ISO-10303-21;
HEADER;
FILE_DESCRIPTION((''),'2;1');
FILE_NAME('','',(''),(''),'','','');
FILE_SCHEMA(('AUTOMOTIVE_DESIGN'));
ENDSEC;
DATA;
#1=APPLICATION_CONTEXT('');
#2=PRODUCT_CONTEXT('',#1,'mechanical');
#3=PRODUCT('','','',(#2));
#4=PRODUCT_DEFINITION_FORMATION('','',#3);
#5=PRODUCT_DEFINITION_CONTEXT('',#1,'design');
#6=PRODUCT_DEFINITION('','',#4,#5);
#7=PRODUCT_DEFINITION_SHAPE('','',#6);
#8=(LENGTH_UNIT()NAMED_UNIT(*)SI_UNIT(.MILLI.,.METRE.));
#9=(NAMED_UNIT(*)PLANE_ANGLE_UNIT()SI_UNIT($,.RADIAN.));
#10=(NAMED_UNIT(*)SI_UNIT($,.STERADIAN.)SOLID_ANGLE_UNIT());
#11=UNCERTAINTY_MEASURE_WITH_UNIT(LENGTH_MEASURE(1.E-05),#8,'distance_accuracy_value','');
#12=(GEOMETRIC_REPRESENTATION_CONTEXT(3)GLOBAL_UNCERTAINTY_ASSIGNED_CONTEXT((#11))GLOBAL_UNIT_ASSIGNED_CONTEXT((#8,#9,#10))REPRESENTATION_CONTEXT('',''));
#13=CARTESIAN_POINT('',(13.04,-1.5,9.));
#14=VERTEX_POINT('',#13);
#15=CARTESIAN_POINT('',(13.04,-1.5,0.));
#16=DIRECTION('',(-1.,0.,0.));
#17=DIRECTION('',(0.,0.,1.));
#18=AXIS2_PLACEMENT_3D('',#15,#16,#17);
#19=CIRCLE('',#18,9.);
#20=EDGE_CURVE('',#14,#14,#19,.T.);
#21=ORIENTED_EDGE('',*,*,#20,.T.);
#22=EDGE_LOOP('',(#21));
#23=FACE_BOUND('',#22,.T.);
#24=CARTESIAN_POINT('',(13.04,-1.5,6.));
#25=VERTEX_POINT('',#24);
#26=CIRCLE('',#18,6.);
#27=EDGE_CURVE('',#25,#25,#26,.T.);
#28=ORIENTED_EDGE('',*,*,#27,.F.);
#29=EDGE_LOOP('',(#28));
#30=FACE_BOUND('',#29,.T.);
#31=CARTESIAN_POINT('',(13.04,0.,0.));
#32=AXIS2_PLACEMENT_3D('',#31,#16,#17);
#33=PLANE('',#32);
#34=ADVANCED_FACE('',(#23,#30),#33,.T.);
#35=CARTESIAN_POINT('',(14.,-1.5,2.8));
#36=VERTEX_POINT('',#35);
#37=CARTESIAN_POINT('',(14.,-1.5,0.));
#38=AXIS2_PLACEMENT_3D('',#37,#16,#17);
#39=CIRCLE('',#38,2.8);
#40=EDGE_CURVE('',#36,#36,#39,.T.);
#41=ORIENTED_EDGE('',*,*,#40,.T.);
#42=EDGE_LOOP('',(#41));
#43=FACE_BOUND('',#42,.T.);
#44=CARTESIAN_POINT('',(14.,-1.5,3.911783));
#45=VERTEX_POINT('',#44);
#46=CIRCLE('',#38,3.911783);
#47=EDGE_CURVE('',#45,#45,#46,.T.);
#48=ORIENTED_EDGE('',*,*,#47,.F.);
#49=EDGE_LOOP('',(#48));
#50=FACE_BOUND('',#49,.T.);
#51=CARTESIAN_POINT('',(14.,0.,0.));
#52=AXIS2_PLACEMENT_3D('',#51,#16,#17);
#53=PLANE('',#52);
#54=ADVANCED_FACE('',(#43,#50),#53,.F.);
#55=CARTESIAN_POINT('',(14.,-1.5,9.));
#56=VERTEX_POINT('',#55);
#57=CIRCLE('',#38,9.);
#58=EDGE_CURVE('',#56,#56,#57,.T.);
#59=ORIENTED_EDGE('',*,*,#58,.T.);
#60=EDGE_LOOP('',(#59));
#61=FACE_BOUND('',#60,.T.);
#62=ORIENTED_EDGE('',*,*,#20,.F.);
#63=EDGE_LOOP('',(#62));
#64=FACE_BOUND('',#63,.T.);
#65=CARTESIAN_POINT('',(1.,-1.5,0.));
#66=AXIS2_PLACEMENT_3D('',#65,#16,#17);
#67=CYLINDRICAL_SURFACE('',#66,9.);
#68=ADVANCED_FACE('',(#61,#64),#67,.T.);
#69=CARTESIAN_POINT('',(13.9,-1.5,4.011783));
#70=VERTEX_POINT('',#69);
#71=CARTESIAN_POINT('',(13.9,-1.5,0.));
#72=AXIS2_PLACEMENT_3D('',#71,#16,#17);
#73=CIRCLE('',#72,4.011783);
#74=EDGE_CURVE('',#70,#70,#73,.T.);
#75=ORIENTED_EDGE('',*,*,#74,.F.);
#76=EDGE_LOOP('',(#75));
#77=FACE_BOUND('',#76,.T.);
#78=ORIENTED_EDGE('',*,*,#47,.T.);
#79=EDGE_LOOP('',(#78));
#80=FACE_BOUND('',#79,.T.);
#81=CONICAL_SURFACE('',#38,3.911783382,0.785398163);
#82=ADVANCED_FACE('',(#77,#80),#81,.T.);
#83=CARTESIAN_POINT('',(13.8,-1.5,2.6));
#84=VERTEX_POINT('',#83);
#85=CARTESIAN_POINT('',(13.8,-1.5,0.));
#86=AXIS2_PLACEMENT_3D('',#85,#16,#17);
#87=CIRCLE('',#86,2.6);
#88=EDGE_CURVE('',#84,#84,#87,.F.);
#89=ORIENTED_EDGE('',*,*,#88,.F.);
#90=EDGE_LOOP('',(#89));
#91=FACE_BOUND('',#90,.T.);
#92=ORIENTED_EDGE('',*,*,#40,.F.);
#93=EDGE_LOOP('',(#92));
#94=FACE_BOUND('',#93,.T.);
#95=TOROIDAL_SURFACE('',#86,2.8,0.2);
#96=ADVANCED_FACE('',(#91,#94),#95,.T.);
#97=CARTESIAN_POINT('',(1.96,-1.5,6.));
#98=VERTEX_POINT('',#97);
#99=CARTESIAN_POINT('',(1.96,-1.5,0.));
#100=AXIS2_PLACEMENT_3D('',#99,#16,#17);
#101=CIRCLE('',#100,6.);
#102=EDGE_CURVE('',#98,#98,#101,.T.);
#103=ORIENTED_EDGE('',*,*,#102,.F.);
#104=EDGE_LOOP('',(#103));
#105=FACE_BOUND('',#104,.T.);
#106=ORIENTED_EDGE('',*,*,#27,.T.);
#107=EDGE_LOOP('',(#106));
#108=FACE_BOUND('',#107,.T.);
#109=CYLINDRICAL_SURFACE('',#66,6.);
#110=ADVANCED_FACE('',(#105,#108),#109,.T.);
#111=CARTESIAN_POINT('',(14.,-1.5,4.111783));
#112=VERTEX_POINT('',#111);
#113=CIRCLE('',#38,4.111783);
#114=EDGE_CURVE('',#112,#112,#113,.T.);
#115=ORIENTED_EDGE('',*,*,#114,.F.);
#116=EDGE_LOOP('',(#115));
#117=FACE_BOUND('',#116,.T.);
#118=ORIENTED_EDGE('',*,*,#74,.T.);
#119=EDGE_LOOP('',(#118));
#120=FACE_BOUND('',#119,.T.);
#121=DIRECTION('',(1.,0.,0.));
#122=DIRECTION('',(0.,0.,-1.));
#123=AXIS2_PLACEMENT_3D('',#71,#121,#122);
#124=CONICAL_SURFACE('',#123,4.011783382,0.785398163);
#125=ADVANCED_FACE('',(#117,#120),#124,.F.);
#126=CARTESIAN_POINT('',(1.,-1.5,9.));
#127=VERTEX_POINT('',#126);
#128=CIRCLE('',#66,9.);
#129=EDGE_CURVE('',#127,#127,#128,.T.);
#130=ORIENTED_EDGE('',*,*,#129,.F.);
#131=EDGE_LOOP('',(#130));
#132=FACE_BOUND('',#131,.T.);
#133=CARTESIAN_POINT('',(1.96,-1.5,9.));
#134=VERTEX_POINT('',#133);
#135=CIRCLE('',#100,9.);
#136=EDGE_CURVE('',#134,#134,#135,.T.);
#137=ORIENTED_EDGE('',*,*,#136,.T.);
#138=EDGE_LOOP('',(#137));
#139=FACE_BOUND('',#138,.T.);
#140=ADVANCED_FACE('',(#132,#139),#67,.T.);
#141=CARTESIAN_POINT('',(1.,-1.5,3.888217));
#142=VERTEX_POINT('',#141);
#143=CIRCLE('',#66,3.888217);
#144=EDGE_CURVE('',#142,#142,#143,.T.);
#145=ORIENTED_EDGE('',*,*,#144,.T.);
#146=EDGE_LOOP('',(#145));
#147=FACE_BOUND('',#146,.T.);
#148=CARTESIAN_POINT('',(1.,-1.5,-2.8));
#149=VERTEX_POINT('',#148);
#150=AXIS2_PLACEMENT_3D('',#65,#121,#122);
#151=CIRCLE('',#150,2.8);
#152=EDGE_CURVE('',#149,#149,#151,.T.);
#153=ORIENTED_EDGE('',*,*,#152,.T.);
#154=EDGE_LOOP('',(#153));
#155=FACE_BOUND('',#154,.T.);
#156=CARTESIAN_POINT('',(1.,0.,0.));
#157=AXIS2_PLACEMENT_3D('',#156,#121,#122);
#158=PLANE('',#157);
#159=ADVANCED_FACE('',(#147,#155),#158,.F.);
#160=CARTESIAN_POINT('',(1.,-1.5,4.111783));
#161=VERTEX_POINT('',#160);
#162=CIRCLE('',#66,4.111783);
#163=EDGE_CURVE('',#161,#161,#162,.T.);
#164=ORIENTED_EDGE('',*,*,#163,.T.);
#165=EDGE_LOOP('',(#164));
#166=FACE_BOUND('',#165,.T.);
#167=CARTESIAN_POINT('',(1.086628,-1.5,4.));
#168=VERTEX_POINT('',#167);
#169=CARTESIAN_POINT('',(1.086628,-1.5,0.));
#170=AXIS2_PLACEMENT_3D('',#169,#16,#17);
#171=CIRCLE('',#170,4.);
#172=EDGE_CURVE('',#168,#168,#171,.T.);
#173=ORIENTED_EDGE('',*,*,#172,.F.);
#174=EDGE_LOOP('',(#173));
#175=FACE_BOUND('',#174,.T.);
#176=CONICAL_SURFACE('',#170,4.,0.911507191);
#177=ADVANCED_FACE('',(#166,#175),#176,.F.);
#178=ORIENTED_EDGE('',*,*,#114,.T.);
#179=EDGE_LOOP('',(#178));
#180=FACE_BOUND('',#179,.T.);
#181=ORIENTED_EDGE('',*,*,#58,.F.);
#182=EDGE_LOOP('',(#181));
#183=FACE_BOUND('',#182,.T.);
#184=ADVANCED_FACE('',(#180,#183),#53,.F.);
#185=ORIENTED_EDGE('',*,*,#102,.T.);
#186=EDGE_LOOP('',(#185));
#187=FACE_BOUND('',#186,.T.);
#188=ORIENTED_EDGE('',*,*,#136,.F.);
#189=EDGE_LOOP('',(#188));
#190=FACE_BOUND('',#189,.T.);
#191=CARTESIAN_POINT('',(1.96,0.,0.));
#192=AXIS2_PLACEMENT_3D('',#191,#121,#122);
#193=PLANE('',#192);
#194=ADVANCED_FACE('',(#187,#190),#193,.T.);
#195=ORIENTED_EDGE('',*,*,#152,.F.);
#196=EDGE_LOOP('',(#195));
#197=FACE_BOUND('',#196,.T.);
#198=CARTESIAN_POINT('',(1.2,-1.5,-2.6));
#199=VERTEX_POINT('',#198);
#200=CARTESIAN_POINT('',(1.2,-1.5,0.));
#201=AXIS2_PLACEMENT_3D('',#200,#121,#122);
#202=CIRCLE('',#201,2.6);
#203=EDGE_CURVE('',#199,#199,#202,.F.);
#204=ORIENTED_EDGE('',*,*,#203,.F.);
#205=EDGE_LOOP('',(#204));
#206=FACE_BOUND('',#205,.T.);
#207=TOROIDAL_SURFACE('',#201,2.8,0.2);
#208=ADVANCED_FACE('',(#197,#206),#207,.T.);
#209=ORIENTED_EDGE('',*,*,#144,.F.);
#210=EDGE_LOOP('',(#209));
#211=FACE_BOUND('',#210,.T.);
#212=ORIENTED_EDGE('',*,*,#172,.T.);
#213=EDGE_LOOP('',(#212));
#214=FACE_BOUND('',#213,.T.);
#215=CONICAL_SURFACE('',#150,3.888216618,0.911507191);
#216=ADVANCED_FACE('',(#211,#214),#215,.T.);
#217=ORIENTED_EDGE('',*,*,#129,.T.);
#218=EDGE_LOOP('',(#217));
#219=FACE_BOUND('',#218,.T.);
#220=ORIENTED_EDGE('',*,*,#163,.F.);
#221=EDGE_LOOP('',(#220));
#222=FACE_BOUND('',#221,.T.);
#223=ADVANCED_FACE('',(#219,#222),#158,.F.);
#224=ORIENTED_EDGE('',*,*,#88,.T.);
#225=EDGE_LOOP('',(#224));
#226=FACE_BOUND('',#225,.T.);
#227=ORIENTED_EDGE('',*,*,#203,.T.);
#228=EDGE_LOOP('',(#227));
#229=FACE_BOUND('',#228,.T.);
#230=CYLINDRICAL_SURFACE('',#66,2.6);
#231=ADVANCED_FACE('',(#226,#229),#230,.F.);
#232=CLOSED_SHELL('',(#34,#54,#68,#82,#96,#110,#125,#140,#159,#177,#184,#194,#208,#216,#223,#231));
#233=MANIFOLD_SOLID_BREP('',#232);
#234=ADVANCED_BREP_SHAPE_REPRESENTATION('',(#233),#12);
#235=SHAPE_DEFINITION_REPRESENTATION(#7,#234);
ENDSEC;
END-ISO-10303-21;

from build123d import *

# Parameters (mm, degrees)
FILLET1_R = 0.2


with BuildPart() as part:
    # Sketch 1 → Body (revolve)
    with BuildSketch(Plane.XY):
        Polygon((1.96, 7.5), (1, 7.5), (1, 2.611783382), (1.086628376, 2.5), (1, 2.388216618), (1, 1.1), (14, 1.1), (14, 2.411783382), (13.9, 2.511783382), (14, 2.611783382), (14, 7.5), (13.04, 7.5), (13.04, 4.5), (1.96, 4.5), align=None)
    revolve(axis=Axis((1, -1.5, 0), (1, 0, 0)))

    # Fillet1
    fillet1_edges = [part.edges().sort_by_distance(p)[0] for p in [
        (14, -4.1, 0),
        (1, -4.1, 0),
    ]]
    fillet(fillet1_edges, radius=FILLET1_R)


solid = part.part
